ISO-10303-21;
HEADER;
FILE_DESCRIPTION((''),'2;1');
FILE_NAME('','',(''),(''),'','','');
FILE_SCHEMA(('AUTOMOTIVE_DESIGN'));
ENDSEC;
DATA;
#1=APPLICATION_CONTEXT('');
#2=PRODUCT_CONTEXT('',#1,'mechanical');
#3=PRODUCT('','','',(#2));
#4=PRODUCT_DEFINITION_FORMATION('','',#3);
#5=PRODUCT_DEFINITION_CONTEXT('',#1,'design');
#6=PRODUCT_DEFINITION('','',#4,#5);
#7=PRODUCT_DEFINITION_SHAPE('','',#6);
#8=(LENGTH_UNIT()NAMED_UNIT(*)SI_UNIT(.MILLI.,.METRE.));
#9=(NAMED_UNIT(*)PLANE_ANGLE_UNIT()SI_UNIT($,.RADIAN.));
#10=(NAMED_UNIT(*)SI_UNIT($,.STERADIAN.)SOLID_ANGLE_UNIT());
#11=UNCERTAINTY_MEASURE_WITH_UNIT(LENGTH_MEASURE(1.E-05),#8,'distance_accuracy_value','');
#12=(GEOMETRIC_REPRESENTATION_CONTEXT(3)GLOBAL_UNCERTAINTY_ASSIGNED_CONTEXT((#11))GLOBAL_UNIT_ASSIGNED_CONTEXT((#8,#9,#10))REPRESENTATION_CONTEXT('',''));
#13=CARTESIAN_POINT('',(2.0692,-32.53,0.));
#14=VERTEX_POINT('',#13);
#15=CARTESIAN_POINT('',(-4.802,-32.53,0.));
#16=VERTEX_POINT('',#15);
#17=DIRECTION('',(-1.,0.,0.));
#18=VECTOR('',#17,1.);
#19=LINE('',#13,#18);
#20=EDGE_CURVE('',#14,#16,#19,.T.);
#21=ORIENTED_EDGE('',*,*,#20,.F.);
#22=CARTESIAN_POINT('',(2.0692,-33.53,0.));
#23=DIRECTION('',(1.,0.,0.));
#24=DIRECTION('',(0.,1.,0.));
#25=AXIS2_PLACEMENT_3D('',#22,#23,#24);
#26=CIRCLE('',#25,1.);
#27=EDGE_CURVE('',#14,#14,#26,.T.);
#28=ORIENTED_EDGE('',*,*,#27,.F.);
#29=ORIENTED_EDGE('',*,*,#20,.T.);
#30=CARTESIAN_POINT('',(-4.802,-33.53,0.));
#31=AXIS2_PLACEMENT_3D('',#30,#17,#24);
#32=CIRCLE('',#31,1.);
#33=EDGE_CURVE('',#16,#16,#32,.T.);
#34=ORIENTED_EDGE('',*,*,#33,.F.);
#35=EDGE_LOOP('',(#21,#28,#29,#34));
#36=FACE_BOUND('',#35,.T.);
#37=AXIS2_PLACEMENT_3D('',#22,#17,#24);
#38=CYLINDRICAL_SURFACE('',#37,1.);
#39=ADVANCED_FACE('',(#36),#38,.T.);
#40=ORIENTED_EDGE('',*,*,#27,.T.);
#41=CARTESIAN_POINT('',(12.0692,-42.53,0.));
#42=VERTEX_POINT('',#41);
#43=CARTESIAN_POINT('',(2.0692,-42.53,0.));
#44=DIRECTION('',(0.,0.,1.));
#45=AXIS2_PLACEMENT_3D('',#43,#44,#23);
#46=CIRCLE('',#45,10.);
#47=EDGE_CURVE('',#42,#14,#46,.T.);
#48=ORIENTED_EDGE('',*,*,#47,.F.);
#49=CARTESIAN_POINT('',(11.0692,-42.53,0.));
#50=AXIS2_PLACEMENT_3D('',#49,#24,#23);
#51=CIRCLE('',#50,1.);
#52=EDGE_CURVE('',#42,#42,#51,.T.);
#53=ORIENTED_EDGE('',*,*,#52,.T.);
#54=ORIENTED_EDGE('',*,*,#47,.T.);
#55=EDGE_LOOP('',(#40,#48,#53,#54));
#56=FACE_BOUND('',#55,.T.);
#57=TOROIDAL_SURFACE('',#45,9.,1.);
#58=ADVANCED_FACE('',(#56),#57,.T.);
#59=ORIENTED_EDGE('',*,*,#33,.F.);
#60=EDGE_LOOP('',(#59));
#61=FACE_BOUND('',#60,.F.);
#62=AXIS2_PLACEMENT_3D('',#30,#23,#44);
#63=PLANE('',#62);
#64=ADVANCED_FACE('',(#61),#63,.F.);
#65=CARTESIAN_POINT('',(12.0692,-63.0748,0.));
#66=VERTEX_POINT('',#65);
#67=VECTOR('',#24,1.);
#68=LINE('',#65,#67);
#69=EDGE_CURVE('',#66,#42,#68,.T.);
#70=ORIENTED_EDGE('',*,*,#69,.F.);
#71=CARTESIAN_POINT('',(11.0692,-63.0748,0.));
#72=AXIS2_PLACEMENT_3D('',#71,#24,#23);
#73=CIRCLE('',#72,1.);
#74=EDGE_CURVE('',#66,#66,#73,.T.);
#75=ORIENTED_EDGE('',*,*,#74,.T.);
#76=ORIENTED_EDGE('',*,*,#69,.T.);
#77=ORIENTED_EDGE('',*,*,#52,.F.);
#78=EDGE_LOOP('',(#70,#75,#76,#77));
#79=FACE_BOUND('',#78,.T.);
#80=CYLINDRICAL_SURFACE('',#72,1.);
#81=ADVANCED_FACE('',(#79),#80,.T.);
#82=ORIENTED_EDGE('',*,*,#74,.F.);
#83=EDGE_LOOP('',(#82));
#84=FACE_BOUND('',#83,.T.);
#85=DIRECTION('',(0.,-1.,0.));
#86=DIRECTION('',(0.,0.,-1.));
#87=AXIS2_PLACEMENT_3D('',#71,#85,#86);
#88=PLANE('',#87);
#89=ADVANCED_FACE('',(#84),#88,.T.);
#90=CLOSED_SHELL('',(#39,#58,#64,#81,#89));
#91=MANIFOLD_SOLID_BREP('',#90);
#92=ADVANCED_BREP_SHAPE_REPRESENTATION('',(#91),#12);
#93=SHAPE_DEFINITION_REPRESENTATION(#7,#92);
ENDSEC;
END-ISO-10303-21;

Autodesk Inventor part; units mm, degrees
ref_plane "YZ Plane" through (0, 0, 0) normal (1, 0, 0) x (0, 1, 0)
ref_plane "XZ Plane" through (0, 0, 0) normal (0, 1, 0) x (-1, 0, 0)
ref_plane "XY Plane" through (0, 0, 0) normal (0, 0, 1) x (1, 0, 0)
sketch "Sketch1" plane through (0, 0, 0) normal (0, 0, 1) x (1, 0, 0)
  line L0 (-4.802, -34.53) -> (1.598, -34.53)
  line L1 (-4.802, -32.53) -> (1.598, -32.53)
  line L2 (-4.802, -37.03) -> (-4.802, -30.03) projected
  line L3 (9.9692, -58.5748) -> (10.8192, -58.5748) projected
  line L4 (11.3192, -58.5748) -> (12.1692, -58.5748) projected
  line L5 (12.8442, -63.0748) -> (9.2942, -63.0748) projected
  line L6 (-4.802, -33.53) -> (11.0692, -33.53) construction
  line L7 (11.0692, -63.0748) -> (11.0692, -33.53) construction
  circle A0 centre (2.0692, -42.53) radius 9 construction
  arc A1 (11.0692, -42.53) -> (2.0692, -33.53) centre (2.0692, -42.53) ccw
  line L8 (2.0692, -33.53) -> (-4.802, -33.53)
  line L9 (11.0692, -63.0748) -> (11.0692, -42.53)
  point P0 (0, 0)
  dimension "d0" = 18
sketch "Sketch2" plane through (0, 0, 0) normal (1, 0, 0) x (0, 1, 0)
  circle A0 centre (-33.53, 0) radius 1 projected
  circle A1 centre (-33.53, 0) radius 1
  point P0 (0, 0)
sweep "Sweep1" add profiles "Sketch2" path "Sketch1" path curves L8 A1 L9
properties part number "1216.1001_LightPipe"
